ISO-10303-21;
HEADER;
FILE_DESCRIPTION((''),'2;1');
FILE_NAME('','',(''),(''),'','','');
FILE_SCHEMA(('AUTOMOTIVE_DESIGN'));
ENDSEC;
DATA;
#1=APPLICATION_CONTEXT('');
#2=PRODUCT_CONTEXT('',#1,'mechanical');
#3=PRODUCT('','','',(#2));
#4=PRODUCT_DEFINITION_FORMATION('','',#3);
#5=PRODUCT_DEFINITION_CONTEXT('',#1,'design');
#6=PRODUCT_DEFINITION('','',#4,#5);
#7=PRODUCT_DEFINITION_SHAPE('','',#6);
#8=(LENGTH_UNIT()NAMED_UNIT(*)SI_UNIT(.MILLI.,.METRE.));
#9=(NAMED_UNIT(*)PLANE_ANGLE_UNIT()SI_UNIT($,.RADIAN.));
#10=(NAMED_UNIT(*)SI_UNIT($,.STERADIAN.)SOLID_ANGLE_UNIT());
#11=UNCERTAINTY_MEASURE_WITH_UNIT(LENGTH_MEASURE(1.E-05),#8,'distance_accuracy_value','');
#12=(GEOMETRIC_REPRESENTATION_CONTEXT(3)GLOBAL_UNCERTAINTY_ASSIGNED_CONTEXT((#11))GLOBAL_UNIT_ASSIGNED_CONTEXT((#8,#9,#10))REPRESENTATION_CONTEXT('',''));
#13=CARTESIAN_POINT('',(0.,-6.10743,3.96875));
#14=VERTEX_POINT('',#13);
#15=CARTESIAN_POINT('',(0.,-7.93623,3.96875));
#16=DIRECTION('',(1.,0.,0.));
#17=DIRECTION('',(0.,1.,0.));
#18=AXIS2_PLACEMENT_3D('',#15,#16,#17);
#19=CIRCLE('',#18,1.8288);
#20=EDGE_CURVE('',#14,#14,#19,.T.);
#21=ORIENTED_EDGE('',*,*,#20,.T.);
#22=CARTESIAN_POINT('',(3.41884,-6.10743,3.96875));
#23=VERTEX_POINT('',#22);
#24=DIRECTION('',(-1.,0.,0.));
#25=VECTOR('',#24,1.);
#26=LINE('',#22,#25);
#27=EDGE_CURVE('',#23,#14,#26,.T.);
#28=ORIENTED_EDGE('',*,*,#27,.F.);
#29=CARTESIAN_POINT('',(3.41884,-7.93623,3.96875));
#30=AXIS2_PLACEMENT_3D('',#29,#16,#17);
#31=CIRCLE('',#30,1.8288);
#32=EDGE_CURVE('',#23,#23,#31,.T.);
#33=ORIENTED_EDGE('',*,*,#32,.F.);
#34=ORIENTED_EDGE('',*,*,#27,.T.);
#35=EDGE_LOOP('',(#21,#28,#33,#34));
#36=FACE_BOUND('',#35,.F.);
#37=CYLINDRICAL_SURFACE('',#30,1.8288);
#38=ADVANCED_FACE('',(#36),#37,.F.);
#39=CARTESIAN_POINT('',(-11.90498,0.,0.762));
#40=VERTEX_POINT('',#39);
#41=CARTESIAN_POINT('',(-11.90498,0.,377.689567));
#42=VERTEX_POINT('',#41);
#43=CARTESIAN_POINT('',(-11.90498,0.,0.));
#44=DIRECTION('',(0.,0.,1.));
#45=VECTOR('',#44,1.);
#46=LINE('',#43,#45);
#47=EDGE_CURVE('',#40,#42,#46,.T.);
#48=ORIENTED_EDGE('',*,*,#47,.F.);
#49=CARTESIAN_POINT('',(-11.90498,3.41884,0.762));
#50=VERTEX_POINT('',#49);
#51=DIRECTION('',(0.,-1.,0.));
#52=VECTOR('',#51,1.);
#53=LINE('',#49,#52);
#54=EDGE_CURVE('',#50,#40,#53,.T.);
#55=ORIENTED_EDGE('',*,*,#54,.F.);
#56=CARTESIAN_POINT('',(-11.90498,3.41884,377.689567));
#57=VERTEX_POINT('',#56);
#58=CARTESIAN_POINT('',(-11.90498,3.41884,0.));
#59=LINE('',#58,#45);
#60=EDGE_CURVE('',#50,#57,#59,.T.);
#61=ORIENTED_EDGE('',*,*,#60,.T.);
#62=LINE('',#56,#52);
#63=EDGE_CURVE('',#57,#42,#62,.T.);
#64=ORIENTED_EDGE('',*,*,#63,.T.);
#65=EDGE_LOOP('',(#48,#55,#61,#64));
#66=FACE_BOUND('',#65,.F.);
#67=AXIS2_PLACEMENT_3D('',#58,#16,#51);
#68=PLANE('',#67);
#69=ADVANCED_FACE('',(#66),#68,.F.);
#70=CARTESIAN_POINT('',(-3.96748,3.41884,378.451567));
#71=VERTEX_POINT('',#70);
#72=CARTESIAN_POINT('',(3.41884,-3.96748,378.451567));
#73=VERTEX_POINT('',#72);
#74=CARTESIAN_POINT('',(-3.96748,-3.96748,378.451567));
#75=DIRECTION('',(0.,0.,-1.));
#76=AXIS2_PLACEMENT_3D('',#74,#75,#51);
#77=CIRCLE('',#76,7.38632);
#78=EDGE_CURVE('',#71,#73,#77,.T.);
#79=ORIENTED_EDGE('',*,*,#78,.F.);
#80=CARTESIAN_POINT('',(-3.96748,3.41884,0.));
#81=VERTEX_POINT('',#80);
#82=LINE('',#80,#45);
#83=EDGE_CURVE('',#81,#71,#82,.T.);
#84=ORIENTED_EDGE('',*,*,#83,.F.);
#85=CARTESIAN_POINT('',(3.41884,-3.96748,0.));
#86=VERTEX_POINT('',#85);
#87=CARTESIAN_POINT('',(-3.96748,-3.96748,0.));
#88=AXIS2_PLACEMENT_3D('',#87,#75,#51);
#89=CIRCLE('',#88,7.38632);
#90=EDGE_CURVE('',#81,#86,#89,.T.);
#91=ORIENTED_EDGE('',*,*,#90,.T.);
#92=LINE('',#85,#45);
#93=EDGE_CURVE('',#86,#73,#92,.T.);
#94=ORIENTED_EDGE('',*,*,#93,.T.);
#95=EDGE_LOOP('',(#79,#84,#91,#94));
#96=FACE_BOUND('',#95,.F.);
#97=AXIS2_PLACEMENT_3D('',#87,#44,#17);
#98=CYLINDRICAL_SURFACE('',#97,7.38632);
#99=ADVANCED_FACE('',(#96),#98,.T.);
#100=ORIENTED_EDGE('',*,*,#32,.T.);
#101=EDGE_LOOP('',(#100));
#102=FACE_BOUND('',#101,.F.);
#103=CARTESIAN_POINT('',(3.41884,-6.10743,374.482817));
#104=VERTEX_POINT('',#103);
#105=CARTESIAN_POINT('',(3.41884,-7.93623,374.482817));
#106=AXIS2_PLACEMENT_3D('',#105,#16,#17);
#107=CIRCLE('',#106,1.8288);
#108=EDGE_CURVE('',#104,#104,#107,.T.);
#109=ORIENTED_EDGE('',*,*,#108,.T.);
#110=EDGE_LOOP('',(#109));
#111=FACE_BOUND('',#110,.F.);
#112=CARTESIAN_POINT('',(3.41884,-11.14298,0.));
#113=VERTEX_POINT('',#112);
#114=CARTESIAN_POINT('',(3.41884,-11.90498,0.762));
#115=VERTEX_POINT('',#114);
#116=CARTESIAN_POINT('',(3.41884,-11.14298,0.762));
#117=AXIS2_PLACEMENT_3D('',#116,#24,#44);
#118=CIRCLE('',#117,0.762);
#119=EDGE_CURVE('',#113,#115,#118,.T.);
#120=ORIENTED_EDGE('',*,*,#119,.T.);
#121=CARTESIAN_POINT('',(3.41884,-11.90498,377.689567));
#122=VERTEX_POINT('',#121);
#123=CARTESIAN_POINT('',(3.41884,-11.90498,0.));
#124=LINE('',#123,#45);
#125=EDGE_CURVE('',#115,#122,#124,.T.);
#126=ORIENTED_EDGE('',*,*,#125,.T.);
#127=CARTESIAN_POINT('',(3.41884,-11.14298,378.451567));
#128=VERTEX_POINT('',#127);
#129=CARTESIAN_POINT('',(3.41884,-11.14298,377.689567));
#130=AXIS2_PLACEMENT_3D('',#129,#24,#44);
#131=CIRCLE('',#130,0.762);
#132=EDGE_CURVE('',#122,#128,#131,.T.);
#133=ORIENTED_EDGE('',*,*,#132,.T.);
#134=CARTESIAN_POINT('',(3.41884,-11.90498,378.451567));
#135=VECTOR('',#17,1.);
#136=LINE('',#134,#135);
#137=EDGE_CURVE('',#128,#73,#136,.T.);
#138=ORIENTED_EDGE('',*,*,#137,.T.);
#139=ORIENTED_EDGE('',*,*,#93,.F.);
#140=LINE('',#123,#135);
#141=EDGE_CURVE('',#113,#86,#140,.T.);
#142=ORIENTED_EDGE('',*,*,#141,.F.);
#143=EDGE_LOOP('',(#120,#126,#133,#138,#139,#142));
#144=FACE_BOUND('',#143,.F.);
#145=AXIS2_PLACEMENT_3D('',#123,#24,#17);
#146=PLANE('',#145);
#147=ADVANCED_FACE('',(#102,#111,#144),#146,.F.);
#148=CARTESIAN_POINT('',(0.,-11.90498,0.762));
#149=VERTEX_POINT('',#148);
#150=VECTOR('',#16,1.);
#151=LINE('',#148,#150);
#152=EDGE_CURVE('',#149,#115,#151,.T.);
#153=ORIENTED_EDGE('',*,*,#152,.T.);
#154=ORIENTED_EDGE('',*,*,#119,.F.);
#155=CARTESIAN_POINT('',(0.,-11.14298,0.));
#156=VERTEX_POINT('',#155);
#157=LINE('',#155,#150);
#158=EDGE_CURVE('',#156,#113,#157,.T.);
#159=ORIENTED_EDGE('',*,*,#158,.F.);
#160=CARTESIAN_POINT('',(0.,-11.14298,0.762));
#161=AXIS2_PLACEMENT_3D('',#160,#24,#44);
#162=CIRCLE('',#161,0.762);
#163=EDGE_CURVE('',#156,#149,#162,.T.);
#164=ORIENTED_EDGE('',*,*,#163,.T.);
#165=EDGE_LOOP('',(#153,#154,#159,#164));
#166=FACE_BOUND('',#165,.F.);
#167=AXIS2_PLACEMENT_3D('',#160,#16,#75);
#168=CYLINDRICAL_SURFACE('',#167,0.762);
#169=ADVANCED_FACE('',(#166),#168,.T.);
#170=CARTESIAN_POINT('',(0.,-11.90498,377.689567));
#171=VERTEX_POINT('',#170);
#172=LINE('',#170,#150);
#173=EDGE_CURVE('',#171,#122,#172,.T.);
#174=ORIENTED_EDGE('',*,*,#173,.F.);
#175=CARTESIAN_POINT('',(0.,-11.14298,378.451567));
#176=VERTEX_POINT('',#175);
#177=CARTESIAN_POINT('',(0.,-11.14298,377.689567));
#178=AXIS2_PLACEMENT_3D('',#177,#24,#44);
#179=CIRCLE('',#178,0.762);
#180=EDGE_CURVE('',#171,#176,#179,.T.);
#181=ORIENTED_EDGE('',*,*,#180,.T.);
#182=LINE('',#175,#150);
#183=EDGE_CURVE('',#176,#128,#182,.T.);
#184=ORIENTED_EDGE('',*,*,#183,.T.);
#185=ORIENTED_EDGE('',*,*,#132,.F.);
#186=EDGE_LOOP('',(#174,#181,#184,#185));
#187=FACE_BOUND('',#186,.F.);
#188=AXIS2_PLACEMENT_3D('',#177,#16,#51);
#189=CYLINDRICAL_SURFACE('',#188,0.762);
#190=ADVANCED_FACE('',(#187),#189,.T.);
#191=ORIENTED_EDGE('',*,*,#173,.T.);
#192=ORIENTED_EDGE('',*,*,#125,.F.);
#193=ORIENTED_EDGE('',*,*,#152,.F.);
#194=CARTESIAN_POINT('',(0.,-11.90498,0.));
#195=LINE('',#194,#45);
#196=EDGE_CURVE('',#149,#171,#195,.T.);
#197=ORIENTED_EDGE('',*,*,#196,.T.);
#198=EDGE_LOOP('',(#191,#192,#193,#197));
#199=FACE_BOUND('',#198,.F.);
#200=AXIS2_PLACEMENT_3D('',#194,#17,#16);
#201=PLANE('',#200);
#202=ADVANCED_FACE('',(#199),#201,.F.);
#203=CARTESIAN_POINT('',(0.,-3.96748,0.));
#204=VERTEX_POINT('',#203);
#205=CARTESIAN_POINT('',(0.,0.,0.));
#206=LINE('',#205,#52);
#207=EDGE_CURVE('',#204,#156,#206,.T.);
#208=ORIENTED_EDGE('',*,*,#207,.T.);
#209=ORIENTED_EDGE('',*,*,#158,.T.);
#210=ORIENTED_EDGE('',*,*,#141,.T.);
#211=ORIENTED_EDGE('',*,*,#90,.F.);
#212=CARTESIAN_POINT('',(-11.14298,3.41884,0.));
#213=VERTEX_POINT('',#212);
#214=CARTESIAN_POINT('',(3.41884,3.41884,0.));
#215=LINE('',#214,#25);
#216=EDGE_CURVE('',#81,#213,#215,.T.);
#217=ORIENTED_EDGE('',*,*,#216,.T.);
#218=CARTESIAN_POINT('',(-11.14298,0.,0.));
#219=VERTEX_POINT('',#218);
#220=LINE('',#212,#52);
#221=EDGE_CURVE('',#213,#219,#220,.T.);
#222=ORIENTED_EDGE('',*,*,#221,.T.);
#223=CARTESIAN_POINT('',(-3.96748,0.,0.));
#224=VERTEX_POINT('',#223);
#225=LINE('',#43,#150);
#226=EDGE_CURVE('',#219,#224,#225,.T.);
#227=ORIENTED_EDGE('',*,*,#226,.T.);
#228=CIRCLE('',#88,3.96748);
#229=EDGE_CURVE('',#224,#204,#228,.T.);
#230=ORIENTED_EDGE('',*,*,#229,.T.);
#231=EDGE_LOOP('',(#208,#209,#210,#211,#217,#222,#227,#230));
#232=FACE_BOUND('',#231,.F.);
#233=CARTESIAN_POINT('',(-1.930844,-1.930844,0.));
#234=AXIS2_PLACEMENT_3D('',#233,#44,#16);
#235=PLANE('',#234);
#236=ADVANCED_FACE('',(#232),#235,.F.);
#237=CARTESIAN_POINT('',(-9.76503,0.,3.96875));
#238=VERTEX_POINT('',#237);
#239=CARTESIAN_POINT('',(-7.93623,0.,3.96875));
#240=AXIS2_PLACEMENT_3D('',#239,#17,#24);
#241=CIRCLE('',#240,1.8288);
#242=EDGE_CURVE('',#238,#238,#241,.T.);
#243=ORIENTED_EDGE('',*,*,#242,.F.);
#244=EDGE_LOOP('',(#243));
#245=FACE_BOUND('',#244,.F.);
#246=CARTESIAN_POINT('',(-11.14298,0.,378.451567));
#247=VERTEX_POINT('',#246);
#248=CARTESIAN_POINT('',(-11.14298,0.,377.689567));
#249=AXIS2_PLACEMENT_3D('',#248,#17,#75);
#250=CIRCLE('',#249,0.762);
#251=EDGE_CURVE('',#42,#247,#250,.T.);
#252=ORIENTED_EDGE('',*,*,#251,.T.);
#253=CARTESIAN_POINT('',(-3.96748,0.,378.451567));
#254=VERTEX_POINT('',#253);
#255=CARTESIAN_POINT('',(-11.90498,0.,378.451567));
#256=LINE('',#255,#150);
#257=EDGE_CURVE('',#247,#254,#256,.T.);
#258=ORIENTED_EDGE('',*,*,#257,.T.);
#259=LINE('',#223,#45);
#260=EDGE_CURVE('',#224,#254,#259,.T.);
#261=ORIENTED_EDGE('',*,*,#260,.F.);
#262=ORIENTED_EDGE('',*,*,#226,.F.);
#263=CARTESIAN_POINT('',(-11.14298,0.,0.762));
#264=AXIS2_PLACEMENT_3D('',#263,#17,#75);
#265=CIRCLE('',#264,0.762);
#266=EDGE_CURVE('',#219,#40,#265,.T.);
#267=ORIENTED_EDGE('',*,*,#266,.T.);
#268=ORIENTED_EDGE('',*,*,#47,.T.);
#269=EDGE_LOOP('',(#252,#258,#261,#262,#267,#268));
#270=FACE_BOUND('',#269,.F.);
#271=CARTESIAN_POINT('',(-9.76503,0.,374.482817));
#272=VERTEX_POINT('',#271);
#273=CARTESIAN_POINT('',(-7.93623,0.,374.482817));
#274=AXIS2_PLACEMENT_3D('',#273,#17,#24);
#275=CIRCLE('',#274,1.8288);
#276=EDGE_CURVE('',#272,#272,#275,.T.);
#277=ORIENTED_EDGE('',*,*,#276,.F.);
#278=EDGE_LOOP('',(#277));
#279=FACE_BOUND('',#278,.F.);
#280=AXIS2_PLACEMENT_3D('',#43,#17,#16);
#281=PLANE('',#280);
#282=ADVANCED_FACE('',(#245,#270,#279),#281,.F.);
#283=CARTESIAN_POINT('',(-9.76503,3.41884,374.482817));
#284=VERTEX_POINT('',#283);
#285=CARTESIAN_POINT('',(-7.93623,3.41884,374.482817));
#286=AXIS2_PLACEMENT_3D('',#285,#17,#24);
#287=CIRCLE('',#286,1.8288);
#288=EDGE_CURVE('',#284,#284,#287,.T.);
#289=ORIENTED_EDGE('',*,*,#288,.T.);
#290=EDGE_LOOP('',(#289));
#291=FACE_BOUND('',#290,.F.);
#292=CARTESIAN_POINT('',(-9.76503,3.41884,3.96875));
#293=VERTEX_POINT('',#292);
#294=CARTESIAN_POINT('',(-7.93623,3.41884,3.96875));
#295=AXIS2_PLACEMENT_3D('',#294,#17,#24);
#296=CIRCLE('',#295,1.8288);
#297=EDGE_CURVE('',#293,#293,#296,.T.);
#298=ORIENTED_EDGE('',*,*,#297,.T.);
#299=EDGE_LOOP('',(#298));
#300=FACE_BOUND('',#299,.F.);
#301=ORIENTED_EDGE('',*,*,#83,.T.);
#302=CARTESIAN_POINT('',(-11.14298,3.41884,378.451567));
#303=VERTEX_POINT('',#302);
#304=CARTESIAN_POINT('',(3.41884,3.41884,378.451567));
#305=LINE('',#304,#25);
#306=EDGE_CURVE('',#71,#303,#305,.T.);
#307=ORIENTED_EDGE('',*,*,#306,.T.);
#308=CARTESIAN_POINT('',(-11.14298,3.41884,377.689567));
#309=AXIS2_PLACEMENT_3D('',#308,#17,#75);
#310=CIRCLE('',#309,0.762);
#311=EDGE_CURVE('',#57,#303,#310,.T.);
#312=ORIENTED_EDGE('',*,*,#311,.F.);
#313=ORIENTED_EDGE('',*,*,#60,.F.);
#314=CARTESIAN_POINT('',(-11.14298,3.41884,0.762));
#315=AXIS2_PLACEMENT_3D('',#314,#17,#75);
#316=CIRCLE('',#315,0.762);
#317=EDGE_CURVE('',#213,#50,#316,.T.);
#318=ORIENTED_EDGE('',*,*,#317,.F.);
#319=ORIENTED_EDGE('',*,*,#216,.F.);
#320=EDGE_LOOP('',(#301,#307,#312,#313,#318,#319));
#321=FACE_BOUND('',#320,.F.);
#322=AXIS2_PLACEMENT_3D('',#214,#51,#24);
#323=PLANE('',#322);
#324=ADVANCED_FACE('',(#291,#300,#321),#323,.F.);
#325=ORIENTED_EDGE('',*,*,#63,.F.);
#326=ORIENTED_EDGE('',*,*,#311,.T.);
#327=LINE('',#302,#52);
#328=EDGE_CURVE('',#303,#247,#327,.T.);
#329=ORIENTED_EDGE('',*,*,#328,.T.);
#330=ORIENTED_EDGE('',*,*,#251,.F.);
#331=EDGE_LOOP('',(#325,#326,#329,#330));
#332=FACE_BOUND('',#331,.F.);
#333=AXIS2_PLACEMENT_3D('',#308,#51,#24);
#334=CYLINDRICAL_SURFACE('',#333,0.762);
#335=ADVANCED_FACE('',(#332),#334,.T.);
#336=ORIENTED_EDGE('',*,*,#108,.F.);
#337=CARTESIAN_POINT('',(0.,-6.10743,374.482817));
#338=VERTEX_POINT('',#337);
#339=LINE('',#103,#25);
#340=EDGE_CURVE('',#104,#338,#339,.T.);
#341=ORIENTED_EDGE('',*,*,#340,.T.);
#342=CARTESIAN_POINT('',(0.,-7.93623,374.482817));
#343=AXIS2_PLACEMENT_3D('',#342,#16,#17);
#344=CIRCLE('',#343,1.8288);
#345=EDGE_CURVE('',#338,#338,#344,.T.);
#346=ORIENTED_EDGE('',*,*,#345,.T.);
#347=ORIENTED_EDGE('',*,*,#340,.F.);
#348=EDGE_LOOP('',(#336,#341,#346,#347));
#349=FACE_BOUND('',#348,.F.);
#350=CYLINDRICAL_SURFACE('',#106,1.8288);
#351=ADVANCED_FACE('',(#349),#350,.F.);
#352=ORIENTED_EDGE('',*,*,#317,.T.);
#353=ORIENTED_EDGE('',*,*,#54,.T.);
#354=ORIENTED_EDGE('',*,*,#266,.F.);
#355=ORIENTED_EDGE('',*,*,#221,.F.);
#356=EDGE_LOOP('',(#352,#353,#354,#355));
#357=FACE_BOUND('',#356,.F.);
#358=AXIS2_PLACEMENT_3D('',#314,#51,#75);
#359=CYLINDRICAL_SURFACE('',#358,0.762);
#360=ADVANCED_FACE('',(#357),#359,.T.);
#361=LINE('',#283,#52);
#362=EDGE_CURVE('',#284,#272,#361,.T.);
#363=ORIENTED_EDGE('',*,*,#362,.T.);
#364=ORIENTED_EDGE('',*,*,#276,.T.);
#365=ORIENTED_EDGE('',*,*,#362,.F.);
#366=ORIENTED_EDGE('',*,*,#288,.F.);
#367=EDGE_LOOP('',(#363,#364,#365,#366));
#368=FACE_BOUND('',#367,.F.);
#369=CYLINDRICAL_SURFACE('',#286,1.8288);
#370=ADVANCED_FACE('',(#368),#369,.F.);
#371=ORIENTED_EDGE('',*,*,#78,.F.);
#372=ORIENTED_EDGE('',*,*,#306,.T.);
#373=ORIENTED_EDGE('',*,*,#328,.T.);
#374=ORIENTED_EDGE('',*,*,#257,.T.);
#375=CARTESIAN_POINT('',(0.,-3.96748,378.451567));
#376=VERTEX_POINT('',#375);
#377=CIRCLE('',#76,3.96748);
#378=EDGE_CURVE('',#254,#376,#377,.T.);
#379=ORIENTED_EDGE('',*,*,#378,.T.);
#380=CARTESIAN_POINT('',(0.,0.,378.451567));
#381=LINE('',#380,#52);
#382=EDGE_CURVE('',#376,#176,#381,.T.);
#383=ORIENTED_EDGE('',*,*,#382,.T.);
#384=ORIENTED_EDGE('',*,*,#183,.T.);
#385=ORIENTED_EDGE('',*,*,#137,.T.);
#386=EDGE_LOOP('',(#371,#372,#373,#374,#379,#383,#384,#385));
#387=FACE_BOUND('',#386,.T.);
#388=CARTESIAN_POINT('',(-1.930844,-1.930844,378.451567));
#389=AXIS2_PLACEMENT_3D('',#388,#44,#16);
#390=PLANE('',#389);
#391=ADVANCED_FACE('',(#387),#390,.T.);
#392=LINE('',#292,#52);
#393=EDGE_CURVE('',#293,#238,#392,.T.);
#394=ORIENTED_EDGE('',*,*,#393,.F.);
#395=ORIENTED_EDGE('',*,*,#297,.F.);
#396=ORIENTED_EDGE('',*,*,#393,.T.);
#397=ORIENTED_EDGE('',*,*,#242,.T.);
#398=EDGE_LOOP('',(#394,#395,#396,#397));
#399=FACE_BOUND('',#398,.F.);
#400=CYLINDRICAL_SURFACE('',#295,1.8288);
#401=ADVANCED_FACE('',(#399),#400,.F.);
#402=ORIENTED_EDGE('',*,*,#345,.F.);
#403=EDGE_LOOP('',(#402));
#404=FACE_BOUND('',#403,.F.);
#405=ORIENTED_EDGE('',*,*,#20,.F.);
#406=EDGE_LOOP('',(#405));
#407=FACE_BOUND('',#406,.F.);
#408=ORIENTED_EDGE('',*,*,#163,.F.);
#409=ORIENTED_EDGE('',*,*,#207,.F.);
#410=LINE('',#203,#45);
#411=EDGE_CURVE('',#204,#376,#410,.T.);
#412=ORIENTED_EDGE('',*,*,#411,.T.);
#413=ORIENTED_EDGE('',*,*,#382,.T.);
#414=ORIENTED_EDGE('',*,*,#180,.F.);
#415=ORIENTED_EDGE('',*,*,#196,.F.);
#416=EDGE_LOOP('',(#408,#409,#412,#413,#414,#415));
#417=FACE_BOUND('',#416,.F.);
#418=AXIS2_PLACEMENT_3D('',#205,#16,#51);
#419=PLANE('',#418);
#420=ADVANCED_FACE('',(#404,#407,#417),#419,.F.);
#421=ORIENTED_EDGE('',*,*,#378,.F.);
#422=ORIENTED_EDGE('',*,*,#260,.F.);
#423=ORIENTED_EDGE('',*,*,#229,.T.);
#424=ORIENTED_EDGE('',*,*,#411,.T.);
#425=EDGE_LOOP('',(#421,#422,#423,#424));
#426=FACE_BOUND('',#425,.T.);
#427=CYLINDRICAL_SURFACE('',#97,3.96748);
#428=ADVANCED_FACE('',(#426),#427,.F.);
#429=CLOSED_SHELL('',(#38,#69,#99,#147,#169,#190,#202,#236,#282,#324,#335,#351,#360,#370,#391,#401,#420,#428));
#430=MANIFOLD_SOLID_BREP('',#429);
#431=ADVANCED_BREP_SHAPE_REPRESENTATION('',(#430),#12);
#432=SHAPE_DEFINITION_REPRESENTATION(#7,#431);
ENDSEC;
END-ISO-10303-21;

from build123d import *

# Parameters (mm, degrees)
F1_DEPTH = 378.451567
F2_R     = 3.96748
F3_R     = 7.38632
F4_R     = 1.8288
F5_DEPTH = 3.41884
F6_R     = 1.8288
F7_DEPTH = 3.41884
F8_R     = 0.762


with BuildPart() as f1:
    # F0 (on Top) → F1 (new body)
    with BuildSketch(Plane.XY):
        Polygon((-11.90498, 0), (0, 0), (0, -11.90498), (3.41884, -11.90498), (3.41884, 3.41884), (-11.90498, 3.41884), align=None)
    extrude(amount=F1_DEPTH)

    # F2
    f2_edges = [f1.edges().sort_by_distance(p)[0] for p in [
        (0, 0, 189.225784),
    ]]
    fillet(f2_edges, radius=F2_R)

    # F3
    f3_edges = [f1.edges().sort_by_distance(p)[0] for p in [
        (3.41884, 3.41884, 189.225784),
    ]]
    fillet(f3_edges, radius=F3_R)

    # F4 (on face) → F5 (cut, through all)
    with BuildSketch(Plane(origin=(0, 3.41884, 0), x_dir=(-1, 0, 0), z_dir=(0, 1, 0))):
        with Locations((7.93623, 3.96875)):
            Circle(F4_R)
        with Locations((7.93623, 374.482817)):
            Circle(F4_R)
    extrude(amount=-F5_DEPTH, mode=Mode.SUBTRACT)

    # F6 (on face) → F7 (cut, through all)
    with BuildSketch(Plane.YZ.offset(3.41884)):
        with Locations((-7.93623, 374.482817)):
            Circle(F6_R)
        with Locations((-7.93623, 3.96875)):
            Circle(F6_R)
    extrude(amount=-F7_DEPTH, mode=Mode.SUBTRACT)

    # F8
    f8_edges = [f1.edges().sort_by_distance(p)[0] for p in [
        (-11.90498, 1.70942, 378.451567),
        (1.70942, -11.90498, 378.451567),
        (1.70942, -11.90498, 0),
        (-11.90498, 1.70942, 0),
    ]]
    fillet(f8_edges, radius=F8_R)


solid = f1.part
